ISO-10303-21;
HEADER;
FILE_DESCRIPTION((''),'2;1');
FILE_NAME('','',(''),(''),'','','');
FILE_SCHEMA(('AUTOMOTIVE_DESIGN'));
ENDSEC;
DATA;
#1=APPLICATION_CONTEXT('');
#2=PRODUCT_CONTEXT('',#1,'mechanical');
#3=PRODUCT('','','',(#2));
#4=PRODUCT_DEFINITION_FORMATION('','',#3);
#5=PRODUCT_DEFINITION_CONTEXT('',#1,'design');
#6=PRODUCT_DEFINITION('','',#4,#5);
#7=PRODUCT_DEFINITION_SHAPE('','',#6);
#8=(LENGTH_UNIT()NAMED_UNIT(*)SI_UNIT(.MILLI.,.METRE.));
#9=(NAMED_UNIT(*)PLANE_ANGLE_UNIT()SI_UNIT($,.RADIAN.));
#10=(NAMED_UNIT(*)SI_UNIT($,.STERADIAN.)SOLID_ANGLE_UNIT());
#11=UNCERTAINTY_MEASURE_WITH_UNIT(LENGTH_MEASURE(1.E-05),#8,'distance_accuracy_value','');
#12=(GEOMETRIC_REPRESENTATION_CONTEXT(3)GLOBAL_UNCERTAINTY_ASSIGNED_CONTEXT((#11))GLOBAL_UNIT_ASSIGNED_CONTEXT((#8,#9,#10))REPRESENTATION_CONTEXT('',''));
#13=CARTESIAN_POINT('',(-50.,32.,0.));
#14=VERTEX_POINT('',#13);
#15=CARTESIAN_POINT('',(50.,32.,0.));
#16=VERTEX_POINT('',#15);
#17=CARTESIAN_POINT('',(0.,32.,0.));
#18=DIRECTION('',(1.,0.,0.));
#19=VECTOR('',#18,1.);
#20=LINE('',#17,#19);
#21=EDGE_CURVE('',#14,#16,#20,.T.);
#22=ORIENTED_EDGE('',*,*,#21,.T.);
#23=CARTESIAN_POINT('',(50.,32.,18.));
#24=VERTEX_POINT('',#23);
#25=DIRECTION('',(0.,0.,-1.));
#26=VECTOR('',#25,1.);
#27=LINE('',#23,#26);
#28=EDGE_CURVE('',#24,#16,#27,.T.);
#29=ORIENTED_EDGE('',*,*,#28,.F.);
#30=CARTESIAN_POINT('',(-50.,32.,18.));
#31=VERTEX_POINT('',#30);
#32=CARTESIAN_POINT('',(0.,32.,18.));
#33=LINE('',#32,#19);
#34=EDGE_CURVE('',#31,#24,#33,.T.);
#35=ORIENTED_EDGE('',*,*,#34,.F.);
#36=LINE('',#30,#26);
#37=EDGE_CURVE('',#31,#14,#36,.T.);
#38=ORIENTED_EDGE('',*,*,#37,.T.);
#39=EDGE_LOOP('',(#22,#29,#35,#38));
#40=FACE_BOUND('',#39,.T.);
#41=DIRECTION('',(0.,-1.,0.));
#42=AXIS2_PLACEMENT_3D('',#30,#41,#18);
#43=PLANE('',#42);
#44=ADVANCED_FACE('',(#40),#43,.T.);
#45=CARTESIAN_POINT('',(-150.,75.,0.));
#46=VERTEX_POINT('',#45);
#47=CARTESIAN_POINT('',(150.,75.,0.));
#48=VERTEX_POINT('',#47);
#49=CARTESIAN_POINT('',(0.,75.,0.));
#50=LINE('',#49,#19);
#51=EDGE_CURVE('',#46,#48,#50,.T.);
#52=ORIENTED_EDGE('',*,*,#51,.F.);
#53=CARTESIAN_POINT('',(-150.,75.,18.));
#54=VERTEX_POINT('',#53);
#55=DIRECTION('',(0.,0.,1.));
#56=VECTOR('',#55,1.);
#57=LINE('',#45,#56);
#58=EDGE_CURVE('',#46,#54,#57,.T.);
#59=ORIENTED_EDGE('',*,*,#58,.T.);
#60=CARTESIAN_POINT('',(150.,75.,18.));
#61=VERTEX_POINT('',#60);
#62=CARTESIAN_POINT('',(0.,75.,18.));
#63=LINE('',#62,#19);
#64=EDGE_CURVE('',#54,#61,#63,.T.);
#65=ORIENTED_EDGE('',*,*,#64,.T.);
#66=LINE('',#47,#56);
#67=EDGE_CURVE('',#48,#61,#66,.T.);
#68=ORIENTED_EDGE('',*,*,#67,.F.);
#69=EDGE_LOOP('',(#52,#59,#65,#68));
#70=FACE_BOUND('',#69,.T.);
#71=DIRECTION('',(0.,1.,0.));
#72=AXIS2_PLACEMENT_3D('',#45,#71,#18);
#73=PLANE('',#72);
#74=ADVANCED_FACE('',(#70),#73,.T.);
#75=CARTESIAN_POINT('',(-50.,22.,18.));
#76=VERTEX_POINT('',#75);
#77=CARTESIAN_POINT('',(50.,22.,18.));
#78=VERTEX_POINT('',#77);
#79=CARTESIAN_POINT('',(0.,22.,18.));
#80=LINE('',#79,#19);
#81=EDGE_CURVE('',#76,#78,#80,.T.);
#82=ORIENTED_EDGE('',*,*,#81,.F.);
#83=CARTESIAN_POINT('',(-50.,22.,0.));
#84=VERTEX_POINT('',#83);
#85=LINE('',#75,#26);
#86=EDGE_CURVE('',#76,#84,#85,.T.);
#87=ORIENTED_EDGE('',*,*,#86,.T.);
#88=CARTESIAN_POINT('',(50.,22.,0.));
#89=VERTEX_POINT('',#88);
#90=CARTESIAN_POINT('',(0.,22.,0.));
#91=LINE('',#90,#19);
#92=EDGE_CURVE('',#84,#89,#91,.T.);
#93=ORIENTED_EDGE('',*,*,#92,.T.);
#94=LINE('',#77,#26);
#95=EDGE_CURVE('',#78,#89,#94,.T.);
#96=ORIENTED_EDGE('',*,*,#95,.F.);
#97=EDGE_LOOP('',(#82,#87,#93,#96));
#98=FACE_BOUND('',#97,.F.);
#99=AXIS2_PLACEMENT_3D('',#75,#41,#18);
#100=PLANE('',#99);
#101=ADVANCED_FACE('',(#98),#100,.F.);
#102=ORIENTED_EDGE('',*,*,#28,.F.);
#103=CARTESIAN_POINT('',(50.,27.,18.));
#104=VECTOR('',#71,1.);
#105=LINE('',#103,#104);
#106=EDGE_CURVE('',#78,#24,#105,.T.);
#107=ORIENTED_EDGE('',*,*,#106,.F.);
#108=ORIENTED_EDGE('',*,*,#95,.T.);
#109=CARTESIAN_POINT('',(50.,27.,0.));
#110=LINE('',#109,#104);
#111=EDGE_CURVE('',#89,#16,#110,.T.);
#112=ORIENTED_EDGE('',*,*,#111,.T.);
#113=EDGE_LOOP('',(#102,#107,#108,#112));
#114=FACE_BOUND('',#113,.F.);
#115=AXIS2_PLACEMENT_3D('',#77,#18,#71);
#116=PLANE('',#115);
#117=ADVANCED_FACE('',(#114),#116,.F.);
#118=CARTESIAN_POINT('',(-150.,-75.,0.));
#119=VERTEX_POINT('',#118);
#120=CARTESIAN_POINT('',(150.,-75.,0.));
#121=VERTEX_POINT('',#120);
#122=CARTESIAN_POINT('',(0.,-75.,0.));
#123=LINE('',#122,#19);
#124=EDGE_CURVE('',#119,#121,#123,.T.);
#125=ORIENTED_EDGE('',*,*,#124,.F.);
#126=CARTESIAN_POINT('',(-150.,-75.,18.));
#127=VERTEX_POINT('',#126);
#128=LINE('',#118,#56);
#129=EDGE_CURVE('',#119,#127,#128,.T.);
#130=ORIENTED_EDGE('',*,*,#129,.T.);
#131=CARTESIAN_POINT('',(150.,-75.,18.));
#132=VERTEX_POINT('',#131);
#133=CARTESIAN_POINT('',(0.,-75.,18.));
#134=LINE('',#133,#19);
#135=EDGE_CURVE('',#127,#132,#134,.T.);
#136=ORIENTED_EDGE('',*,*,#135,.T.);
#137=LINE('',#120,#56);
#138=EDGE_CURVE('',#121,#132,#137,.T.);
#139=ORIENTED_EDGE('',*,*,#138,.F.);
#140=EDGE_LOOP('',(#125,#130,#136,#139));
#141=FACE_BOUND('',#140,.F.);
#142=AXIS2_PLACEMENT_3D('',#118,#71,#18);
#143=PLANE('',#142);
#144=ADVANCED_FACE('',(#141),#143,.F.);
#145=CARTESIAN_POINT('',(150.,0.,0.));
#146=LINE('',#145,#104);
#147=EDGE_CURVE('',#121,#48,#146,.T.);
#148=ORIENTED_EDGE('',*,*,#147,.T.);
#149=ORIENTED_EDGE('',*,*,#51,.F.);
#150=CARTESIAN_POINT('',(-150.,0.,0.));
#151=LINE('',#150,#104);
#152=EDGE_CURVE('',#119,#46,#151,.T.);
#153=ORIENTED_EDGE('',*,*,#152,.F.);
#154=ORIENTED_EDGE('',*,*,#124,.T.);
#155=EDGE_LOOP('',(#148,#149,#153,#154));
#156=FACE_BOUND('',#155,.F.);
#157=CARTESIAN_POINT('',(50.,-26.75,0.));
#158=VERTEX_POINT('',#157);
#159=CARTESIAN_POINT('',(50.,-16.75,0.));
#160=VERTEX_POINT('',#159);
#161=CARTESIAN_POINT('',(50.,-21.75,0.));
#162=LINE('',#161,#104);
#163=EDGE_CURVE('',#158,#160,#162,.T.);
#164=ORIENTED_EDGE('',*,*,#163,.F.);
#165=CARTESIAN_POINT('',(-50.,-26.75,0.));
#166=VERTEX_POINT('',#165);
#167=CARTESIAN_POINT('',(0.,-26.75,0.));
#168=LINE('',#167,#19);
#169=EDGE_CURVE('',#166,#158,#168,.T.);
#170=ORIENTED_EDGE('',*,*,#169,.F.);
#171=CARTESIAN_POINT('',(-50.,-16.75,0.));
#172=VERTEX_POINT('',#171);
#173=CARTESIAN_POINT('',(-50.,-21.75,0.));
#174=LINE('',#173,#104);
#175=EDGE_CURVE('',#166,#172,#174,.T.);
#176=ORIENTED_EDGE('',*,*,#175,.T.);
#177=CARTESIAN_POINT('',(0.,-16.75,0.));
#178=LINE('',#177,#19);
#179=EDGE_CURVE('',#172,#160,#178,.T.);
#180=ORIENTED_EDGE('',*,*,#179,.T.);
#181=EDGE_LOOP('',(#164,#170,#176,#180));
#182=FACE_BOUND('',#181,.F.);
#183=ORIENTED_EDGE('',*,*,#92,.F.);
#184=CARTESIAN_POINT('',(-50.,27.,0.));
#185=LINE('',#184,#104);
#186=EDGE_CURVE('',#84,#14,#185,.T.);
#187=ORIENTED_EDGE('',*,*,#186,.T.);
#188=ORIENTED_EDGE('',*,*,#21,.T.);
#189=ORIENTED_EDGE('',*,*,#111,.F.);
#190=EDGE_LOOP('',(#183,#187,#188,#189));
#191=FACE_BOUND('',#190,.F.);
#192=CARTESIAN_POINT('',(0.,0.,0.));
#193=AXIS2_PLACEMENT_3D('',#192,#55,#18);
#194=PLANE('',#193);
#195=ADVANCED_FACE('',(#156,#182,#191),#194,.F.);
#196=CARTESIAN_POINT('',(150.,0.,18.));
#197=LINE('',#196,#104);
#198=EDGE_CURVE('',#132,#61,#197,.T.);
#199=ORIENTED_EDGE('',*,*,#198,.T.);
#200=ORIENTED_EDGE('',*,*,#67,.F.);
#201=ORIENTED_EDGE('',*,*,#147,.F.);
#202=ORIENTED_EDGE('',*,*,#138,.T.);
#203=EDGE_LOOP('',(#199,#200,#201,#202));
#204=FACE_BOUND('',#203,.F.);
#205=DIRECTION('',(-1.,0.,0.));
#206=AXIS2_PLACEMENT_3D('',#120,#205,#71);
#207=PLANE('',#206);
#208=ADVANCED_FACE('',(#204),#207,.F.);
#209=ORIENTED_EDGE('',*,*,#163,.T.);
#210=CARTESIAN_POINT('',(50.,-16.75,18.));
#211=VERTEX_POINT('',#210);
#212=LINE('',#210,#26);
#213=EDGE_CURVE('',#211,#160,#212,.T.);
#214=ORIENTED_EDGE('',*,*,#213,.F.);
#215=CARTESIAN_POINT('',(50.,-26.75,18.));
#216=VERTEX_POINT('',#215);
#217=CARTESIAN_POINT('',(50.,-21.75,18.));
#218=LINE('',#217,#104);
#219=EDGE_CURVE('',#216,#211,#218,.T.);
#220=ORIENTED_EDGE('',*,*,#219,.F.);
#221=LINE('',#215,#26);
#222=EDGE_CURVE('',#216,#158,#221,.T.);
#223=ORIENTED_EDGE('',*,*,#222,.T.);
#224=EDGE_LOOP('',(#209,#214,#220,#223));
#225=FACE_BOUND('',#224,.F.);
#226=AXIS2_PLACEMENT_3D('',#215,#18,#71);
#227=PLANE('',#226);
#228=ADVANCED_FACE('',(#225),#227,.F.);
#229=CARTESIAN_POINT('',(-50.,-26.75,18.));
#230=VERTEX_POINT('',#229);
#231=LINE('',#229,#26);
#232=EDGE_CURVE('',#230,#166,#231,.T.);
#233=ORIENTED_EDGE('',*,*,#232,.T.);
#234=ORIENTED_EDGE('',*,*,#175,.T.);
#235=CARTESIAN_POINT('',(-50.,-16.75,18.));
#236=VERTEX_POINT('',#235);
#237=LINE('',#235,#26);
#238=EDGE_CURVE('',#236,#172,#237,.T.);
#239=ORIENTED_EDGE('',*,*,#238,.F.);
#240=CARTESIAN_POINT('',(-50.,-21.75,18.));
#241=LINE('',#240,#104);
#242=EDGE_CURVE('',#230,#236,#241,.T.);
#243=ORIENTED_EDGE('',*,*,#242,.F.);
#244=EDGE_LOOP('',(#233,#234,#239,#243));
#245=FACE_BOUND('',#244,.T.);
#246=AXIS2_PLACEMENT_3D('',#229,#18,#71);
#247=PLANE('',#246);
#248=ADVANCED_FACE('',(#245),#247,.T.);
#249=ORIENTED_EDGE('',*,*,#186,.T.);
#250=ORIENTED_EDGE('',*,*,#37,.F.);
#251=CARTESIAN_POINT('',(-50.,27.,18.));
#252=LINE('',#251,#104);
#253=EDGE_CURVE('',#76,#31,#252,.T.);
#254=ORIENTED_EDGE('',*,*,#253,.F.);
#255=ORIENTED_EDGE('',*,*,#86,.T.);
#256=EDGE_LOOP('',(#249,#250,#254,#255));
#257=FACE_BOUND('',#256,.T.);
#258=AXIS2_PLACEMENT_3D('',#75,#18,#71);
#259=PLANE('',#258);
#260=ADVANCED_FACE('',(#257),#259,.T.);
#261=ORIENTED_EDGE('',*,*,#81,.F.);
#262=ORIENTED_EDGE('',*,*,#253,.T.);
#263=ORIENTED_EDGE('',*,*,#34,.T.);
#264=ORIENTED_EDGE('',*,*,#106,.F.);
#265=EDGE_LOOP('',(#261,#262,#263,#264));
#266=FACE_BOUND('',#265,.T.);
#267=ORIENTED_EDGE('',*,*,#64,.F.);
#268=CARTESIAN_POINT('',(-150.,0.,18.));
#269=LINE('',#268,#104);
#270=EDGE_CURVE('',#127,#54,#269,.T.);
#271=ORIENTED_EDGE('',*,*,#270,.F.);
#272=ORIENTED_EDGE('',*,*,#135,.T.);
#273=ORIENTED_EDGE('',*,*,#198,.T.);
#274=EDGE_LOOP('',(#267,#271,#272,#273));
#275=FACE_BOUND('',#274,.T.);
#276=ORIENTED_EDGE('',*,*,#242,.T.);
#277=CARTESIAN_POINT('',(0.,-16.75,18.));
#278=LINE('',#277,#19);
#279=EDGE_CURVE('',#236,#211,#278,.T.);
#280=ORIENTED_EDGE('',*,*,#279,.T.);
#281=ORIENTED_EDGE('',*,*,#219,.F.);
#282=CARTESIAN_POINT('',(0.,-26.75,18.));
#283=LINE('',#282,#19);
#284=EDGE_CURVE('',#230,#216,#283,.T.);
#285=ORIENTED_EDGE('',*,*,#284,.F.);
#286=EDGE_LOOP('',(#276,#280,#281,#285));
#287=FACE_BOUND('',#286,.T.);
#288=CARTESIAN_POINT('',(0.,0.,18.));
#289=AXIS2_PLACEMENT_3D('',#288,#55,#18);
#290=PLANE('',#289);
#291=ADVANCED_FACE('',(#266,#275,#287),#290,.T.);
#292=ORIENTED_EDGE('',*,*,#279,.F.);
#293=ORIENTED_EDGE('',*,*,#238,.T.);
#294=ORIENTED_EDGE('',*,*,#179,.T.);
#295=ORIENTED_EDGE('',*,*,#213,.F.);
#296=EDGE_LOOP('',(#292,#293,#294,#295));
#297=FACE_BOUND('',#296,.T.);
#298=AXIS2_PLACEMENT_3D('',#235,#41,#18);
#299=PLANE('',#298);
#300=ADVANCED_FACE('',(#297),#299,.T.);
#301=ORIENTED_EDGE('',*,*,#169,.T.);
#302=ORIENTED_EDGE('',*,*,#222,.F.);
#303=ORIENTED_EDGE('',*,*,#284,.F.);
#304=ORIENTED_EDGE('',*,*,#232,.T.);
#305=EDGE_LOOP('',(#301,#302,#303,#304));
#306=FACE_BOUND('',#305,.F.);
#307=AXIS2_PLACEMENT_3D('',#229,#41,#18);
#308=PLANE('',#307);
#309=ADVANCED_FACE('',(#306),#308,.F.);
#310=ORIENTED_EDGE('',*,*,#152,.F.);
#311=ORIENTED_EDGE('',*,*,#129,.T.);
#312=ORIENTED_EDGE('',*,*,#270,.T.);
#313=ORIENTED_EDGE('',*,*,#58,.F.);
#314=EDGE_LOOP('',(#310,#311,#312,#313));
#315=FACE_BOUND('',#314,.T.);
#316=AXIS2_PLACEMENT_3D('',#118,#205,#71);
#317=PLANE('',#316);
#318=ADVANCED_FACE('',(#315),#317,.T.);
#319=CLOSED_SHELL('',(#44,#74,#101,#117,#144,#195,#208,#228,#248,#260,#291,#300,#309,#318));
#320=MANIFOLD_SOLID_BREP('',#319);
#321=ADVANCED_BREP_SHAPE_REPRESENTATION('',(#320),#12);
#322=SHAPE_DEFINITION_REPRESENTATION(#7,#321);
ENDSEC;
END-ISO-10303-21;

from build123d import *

# Parameters (mm, degrees)
F0_W     = 300
F0_H     = 150
F1_DEPTH = 18
F2_W     = 100
F2_H     = 10
F3_DEPTH = 18


with BuildPart() as f1:
    # F0 (on Top) → F1 (new body)
    with BuildSketch(Plane.XY):
        Rectangle(F0_W, F0_H)
    extrude(amount=F1_DEPTH)

    # F2 (on face) → F3 (cut)
    with BuildSketch(Plane.XY.offset(18)):
        with Locations((0, -21.75)):
            Rectangle(F2_W, F2_H)
        with Locations((0, 27)):
            Rectangle(F2_W, F2_H)
    extrude(amount=-F3_DEPTH, mode=Mode.SUBTRACT)


solid = f1.part
